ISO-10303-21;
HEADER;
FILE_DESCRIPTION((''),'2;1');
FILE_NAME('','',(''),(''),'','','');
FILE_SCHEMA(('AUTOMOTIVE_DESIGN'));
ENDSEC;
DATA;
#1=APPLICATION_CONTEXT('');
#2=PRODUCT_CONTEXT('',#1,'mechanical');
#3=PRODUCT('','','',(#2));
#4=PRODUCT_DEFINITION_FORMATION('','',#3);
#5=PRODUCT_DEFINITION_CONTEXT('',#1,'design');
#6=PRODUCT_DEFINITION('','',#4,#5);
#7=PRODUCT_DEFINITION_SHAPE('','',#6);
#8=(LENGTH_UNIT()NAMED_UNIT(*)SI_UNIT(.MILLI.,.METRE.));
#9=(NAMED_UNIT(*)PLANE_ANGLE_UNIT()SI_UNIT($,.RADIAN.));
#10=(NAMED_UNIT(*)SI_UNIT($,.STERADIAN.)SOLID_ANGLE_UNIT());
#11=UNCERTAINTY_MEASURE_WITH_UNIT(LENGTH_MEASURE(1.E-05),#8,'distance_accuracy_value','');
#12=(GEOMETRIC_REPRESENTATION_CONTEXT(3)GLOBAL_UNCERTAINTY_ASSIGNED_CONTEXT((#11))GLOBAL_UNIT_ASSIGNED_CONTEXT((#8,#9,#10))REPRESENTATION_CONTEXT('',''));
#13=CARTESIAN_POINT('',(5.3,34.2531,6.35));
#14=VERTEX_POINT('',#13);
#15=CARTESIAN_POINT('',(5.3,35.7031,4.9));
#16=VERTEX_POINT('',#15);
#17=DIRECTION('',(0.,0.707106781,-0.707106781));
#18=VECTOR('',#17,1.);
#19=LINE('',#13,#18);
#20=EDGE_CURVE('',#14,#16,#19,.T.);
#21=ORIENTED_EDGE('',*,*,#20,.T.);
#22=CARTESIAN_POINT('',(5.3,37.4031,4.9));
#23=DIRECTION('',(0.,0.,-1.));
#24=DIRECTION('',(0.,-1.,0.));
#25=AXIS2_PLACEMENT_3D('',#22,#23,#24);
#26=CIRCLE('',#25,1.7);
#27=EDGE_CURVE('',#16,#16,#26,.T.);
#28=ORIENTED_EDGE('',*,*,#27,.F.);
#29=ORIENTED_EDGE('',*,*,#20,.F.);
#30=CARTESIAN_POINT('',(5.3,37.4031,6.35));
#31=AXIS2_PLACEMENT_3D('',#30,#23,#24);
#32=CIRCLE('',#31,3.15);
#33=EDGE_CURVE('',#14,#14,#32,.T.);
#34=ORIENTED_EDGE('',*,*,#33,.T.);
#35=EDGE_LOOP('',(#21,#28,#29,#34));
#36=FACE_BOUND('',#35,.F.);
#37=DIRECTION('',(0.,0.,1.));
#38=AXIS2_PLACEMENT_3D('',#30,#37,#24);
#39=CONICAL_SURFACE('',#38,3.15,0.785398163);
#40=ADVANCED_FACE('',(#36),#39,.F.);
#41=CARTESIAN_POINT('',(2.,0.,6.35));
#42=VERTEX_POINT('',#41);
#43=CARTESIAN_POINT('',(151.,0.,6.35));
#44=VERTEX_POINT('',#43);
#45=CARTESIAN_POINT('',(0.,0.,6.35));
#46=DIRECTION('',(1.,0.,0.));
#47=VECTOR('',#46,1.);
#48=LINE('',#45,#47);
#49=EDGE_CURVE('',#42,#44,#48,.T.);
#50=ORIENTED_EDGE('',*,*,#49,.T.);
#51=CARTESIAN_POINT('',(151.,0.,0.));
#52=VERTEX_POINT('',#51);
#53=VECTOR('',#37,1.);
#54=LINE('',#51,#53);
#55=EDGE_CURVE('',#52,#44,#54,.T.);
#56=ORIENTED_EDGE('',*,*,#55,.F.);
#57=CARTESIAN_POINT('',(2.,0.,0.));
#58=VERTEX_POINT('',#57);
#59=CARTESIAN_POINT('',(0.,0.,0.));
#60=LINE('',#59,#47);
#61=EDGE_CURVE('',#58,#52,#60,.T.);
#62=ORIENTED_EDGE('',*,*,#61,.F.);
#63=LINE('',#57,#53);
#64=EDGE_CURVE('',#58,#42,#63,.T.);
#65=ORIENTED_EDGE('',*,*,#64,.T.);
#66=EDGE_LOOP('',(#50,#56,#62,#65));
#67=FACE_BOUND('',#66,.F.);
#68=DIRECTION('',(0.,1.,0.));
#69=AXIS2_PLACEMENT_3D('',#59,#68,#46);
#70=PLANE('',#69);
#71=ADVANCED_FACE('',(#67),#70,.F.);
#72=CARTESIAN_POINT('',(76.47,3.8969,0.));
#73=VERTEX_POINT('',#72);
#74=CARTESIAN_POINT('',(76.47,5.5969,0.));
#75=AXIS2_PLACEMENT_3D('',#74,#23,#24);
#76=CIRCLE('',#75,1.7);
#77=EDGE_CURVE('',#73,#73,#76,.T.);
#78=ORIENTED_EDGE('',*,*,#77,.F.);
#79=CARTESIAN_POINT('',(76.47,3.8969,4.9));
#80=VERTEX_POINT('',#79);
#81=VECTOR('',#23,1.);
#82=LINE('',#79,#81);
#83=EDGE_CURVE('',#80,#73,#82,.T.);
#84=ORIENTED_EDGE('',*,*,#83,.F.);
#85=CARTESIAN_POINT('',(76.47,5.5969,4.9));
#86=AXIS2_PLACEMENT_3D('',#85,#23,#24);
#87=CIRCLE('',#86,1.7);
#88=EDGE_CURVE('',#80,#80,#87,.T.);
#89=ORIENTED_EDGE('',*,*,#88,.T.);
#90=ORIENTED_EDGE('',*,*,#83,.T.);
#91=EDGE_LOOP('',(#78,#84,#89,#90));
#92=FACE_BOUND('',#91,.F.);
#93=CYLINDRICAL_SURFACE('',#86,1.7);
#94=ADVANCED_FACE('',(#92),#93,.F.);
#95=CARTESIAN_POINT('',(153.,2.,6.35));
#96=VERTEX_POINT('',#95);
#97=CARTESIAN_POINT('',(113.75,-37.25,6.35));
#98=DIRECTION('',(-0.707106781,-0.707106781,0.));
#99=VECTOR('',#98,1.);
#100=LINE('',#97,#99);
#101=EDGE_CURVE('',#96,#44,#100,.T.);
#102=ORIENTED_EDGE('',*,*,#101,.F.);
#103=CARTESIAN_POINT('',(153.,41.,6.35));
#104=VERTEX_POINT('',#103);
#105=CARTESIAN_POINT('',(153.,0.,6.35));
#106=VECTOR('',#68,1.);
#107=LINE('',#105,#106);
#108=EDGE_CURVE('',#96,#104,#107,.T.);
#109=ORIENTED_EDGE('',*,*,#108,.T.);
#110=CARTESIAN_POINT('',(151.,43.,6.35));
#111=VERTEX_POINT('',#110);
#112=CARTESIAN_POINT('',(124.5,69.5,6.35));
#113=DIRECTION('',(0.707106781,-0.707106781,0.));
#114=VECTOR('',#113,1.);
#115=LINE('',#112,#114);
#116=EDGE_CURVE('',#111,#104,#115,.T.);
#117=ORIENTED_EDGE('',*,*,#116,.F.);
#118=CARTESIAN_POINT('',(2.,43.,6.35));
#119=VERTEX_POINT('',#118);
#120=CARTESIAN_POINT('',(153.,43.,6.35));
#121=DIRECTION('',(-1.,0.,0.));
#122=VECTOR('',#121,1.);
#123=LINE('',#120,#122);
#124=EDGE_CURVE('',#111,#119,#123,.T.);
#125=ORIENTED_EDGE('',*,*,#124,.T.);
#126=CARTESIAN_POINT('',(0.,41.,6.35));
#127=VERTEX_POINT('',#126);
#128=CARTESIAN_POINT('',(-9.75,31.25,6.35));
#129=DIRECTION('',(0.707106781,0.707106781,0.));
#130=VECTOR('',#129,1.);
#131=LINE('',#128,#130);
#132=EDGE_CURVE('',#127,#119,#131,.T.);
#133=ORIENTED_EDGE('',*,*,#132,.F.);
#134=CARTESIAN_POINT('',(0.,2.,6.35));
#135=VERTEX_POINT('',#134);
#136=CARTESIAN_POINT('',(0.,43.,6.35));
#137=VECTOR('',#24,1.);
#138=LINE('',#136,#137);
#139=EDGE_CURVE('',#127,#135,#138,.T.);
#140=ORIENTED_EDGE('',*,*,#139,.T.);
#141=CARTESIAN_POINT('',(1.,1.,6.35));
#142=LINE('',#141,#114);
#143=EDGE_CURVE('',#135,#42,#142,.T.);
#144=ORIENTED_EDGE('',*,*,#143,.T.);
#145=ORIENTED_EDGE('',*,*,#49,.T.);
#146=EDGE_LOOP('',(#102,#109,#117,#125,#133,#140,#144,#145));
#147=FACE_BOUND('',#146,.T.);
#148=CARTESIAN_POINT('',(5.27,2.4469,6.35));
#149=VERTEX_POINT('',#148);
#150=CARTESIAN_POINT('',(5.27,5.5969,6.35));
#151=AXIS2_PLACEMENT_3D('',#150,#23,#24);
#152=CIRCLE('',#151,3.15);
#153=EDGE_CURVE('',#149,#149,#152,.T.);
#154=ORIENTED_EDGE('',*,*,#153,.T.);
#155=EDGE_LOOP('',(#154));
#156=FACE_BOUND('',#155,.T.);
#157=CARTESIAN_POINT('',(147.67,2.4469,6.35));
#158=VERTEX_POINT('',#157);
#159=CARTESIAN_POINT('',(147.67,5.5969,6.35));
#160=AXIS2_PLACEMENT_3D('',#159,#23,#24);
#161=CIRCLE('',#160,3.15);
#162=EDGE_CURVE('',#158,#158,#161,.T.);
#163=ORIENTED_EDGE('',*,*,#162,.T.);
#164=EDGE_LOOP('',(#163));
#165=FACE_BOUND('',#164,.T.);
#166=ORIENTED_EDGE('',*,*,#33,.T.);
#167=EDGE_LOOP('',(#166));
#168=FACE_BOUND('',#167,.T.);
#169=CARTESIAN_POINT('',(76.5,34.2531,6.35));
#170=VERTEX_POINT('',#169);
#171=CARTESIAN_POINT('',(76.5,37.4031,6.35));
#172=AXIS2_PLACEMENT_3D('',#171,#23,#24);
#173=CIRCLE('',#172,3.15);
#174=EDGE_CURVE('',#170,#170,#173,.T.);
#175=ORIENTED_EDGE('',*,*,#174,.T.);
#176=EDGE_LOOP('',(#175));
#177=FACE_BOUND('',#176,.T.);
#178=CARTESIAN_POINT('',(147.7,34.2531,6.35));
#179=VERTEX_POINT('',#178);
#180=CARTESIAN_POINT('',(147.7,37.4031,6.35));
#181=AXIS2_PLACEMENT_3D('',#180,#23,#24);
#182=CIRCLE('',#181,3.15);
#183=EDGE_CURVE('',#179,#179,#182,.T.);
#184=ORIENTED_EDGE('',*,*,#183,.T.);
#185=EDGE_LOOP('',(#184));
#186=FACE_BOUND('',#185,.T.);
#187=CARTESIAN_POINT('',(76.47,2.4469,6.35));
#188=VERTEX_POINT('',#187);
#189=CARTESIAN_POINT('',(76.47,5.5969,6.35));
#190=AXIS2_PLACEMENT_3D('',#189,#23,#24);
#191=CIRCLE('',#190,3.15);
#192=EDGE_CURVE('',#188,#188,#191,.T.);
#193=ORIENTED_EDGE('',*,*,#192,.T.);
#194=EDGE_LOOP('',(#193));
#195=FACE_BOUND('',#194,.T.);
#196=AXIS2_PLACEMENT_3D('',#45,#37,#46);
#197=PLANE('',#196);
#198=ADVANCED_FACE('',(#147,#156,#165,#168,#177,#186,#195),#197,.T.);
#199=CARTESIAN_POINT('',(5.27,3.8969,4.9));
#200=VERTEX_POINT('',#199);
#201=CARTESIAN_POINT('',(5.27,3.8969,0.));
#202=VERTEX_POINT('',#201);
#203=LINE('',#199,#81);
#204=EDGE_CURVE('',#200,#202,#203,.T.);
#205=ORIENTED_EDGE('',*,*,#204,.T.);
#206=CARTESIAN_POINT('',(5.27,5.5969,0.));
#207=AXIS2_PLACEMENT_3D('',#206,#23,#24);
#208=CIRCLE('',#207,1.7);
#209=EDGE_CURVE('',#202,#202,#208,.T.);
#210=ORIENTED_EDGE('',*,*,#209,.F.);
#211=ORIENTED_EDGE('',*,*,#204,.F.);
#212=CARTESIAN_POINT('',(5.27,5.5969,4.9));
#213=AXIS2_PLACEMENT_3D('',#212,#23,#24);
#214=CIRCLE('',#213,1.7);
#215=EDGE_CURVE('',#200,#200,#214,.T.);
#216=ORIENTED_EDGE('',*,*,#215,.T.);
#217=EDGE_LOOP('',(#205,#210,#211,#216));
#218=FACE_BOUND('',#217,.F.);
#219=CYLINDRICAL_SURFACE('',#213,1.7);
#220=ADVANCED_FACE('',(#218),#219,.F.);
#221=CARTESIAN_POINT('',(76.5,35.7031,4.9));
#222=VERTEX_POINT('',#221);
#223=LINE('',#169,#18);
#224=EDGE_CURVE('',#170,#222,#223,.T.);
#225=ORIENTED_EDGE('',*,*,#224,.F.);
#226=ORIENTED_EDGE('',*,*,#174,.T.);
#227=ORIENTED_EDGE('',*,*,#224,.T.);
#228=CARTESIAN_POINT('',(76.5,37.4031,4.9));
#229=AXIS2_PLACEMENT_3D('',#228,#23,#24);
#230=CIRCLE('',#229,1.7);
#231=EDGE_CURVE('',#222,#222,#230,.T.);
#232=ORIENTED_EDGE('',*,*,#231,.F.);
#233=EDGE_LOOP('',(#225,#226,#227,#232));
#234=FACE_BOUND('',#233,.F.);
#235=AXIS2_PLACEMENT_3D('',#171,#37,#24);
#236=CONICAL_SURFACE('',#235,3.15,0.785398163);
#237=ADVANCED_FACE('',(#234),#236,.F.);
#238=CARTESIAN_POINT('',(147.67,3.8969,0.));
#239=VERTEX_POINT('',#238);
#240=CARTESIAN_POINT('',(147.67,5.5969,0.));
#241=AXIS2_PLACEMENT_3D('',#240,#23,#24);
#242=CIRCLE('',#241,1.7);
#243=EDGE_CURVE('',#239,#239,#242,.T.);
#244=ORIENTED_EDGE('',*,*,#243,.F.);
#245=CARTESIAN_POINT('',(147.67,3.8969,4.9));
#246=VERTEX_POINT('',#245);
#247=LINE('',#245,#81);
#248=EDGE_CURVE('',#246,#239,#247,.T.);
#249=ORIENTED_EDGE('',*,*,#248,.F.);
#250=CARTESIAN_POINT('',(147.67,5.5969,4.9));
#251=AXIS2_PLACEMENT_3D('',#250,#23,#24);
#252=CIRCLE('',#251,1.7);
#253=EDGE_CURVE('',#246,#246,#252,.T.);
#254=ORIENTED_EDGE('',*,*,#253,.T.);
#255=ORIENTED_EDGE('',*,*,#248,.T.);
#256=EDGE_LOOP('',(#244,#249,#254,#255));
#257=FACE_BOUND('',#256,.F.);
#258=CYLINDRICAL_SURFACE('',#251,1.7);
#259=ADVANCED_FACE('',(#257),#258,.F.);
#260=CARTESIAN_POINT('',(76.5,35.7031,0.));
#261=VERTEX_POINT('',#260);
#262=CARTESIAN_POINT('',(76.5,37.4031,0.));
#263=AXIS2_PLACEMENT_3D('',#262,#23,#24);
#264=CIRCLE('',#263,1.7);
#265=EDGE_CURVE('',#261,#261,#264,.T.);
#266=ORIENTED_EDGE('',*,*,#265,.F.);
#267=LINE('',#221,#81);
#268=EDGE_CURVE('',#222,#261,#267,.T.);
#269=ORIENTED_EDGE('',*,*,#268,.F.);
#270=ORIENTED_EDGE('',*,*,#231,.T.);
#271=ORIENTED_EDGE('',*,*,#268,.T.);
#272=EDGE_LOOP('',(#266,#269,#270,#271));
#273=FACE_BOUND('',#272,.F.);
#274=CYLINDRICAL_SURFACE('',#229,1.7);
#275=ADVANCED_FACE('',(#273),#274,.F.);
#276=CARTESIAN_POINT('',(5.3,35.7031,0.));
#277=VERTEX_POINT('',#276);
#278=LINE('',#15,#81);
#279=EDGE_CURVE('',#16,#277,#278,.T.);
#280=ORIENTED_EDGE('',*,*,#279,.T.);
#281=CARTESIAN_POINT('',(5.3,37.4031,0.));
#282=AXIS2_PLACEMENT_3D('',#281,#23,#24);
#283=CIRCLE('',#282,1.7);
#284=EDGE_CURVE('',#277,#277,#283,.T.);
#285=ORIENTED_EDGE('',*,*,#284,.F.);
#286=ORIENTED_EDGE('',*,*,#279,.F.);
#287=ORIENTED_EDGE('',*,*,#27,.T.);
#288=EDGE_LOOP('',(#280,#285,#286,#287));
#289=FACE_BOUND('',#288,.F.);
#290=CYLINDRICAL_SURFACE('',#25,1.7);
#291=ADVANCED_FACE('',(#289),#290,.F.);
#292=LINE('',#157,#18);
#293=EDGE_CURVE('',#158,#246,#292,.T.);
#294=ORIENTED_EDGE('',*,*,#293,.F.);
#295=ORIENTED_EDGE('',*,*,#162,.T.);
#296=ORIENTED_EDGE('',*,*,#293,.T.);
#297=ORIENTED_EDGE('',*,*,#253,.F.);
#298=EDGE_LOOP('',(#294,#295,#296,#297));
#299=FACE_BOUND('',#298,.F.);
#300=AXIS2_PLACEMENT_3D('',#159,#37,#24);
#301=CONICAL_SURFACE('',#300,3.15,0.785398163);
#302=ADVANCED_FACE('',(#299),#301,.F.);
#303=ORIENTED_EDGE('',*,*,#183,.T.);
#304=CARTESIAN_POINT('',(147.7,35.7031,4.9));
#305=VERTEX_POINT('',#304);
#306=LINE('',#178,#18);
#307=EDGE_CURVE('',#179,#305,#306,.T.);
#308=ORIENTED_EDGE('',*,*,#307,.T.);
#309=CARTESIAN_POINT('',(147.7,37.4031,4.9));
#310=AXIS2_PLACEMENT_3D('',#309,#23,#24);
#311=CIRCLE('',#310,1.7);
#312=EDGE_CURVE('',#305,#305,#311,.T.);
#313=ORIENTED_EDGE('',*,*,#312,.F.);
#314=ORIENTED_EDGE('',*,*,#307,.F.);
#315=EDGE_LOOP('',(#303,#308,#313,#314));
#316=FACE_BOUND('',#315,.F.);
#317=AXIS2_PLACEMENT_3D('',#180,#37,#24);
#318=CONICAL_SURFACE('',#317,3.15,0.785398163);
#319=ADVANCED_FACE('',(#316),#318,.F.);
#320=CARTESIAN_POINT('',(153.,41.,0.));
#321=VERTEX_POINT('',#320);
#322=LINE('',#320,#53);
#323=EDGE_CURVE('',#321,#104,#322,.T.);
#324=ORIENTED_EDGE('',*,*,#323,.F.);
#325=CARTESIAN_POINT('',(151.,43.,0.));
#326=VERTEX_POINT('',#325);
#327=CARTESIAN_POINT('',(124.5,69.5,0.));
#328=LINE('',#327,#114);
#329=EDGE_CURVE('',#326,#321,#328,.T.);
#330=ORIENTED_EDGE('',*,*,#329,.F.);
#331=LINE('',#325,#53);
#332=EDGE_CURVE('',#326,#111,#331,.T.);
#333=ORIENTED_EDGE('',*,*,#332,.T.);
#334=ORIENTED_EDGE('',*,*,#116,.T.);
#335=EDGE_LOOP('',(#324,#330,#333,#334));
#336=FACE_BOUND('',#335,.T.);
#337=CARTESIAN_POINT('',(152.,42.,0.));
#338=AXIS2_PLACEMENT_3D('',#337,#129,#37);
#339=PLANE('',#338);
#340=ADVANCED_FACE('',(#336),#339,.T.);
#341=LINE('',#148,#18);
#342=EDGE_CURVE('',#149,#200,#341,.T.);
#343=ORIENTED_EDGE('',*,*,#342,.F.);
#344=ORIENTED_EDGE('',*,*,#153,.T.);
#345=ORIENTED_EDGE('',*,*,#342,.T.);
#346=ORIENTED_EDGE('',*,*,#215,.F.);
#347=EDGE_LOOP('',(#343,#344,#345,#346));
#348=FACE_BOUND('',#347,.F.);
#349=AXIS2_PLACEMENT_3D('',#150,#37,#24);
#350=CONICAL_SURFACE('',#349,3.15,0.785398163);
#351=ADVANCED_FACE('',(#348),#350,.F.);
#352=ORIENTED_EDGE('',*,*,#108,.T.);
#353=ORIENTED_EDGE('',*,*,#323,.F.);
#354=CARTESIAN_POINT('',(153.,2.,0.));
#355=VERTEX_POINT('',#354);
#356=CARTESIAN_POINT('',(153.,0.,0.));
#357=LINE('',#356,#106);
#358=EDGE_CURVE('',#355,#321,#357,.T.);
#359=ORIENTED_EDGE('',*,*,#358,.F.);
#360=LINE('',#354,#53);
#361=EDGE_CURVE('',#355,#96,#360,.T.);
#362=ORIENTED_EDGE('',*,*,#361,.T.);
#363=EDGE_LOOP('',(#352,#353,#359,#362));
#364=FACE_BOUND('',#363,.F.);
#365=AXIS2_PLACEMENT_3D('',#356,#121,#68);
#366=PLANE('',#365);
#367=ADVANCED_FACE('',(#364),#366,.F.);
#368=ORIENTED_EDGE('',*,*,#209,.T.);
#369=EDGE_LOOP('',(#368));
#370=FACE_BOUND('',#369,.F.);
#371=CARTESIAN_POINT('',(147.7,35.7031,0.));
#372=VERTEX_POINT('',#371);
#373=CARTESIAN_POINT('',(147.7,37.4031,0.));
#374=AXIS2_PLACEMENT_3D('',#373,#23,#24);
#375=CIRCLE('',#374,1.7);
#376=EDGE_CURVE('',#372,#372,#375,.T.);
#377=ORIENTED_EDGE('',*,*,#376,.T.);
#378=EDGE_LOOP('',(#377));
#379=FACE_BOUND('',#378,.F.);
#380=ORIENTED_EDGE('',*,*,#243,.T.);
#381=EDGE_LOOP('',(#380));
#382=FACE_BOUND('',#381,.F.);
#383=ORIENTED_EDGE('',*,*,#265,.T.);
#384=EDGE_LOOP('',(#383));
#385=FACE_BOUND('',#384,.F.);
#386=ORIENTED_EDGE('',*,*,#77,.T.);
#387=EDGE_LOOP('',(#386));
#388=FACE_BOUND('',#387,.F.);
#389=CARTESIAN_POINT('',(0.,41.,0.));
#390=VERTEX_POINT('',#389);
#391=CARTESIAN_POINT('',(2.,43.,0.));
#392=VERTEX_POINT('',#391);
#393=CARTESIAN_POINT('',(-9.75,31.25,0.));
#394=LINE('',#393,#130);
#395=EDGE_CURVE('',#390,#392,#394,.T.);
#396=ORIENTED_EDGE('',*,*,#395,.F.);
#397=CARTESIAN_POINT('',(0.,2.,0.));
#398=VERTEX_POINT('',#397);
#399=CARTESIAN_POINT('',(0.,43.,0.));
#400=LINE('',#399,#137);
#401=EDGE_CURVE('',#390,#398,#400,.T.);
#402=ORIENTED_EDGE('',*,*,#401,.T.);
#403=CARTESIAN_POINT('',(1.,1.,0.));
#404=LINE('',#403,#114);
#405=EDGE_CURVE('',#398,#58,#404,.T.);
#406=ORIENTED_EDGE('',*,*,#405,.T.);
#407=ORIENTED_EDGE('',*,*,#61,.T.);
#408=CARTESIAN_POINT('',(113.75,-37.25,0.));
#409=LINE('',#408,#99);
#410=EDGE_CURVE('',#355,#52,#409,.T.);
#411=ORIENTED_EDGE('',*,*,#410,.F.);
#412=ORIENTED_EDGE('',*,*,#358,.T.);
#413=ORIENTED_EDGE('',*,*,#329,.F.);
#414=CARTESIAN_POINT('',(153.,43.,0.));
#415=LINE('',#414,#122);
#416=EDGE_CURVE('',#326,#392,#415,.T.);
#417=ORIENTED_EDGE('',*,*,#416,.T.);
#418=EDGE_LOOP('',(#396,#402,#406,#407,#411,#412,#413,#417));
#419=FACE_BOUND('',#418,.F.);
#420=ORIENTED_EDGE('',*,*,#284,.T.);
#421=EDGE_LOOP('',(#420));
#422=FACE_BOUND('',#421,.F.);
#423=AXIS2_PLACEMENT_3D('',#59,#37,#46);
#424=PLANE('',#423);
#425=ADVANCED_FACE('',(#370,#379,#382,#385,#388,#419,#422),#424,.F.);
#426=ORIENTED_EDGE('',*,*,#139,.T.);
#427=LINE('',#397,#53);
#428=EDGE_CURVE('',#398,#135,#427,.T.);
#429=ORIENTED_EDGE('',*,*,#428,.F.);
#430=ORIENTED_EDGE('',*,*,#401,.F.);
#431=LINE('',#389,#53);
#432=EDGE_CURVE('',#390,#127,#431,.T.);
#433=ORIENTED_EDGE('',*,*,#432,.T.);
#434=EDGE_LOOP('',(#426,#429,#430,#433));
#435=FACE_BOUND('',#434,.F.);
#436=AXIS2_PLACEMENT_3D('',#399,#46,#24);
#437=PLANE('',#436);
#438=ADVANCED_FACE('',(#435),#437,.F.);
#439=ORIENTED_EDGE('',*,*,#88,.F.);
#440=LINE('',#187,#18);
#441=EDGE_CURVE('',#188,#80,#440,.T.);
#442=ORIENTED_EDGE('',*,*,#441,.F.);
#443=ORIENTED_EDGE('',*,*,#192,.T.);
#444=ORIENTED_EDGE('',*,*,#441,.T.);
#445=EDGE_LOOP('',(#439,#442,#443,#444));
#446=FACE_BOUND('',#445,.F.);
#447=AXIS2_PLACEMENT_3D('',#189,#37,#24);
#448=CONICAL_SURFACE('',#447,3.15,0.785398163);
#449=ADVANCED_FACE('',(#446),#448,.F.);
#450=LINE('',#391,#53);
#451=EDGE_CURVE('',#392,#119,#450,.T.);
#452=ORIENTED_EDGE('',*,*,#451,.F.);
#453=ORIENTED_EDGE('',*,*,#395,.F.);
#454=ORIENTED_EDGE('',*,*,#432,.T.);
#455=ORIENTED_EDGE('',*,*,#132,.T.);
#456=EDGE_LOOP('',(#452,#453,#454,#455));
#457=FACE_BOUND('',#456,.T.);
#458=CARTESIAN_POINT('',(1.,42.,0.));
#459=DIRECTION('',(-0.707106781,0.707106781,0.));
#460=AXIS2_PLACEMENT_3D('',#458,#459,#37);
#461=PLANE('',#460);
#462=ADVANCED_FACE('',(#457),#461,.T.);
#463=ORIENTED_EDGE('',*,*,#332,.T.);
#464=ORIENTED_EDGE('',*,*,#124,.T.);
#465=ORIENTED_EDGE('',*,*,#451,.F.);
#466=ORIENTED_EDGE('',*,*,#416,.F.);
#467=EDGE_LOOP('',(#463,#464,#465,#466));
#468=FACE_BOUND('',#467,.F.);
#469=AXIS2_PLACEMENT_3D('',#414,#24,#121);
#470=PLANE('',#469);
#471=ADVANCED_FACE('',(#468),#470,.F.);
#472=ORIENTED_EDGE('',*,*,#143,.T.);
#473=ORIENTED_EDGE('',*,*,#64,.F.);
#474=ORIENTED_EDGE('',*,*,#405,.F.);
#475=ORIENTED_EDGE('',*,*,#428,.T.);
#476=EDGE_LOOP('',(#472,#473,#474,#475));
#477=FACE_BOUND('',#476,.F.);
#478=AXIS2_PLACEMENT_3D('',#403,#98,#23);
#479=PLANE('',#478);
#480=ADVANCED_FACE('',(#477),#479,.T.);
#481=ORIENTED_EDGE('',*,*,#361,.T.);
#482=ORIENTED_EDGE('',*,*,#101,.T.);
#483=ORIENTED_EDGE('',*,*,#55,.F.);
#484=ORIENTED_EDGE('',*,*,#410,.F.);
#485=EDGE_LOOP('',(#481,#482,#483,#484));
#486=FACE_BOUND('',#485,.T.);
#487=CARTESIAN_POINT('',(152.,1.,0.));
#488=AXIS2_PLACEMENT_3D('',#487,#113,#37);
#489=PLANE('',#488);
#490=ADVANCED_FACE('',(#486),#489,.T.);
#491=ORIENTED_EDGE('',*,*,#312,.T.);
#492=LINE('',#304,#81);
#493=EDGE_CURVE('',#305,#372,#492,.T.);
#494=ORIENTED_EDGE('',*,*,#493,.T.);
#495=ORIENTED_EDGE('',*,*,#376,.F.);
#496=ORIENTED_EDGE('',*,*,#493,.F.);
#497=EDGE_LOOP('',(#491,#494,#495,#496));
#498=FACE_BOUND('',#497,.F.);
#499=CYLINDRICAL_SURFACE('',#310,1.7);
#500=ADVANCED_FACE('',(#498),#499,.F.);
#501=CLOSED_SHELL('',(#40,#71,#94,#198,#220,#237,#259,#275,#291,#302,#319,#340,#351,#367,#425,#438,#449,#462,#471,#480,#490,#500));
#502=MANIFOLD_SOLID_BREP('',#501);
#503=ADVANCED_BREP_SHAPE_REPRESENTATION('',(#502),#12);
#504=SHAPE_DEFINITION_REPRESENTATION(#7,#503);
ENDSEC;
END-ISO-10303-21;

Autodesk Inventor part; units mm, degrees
ref_plane "YZ Plane" through (0, 0, 0) normal (1, 0, 0) x (0, 1, 0)
ref_plane "XZ Plane" through (0, 0, 0) normal (0, 1, 0) x (-1, 0, 0)
ref_plane "XY Plane" through (0, 0, 0) normal (0, 0, 1) x (1, 0, 0)
sketch "Sketch1" plane through (0, 0, 0) normal (0, 0, 1) x (1, 0, 0)
  line L0 (0, 0) -> (153, 0)
  line L1 (153, 0) -> (153, 43)
  line L2 (153, 43) -> (0, 43)
  line L3 (0, 43) -> (0, 0)
  dimension "d0" = 43
  dimension "d1" = 153
extrude "Extrusion1" add sketch "Sketch1" along normal blind 6.35
chamfer "Chamfer1" distance 2 angle 45 4 edges at (0, 43, 3.175) (0, 0, 3.175) (153, 43, 3.175) (153, 0, 3.175)
ref_plane "Work Plane1" through (2, 21.5, 0) normal (0, 1, 0) x (1, 0, 0)
ref_plane "Work Plane2" through (76.5, 2, 0) normal (1, 0, 0) x (0, 0, -1)
sketch "Sketch2" plane through (0, 0, 6.35) normal (0, 0, 1) x (1, 0, 0)
  line L0 (137.7, 37.4031) -> (143.5031, 31.6) projected
  line L1 (149.525, 31.6) -> (143.5031, 31.6) projected
  line L2 (152.7, 34.775) -> (149.525, 31.6) projected
  line L3 (152.7, 43.2063) -> (152.7, 34.775) projected
  line L4 (152.7, 43.2063) -> (0.3, 43.2063) projected
  line L5 (0.3, 34.775) -> (0.3, 43.2063) projected
  line L6 (3.475, 31.6) -> (0.3, 34.775) projected
  line L7 (9.4969, 31.6) -> (3.475, 31.6) projected
  line L8 (9.4969, 31.6) -> (15.3, 37.4031) projected
  line L9 (15.3, 37.4031) -> (66.5, 37.4031) projected
  line L10 (66.5, 37.4031) -> (72.3031, 31.6) projected
  line L11 (80.6969, 31.6) -> (72.3031, 31.6) projected
  line L12 (80.6969, 31.6) -> (86.5, 37.4031) projected
  line L13 (86.5, 37.4031) -> (137.7, 37.4031) projected
  circle A0 centre (76.5, 37.4031) radius 1.7018 projected
  circle A1 centre (147.7, 37.4031) radius 1.7018 projected
  circle A2 centre (5.3, 37.4031) radius 1.7018 projected
  line L14 (15.27, 5.5969) -> (9.4669, 11.4) projected
  line L15 (3.445, 11.4) -> (9.4669, 11.4) projected
  line L16 (0.27, 8.225) -> (3.445, 11.4) projected
  line L17 (0.27, -0.2063) -> (0.27, 8.225) projected
  line L18 (0.27, -0.2063) -> (152.67, -0.2063) projected
  line L19 (152.67, 8.225) -> (152.67, -0.2063) projected
  line L20 (149.495, 11.4) -> (152.67, 8.225) projected
  line L21 (143.4731, 11.4) -> (149.495, 11.4) projected
  line L22 (143.4731, 11.4) -> (137.67, 5.5969) projected
  line L23 (137.67, 5.5969) -> (86.47, 5.5969) projected
  line L24 (86.47, 5.5969) -> (80.6669, 11.4) projected
  line L25 (72.2731, 11.4) -> (80.6669, 11.4) projected
  line L26 (72.2731, 11.4) -> (66.47, 5.5969) projected
  line L27 (66.47, 5.5969) -> (15.27, 5.5969) projected
  circle A3 centre (76.47, 5.5969) radius 1.7018 projected
  circle A4 centre (5.27, 5.5969) radius 1.7018 projected
  circle A5 centre (147.67, 5.5969) radius 1.7018 projected
  point P0 (0, 0)
  point P1 (76.47, 5.5969)
  point P2 (5.27, 5.5969)
  point P3 (147.67, 5.5969)
hole "Hole1" at (147.7, 37.4031, 6.35) at (76.5, 37.4031, 6.35) at (5.3, 37.4031, 6.35) at (5.27, 5.5969, 6.35) at (76.47, 5.5969, 6.35) at (147.67, 5.5969, 6.35) direction (0, 0, -1) diameter 3.4 depth 8 tip angle 118 countersink diameter 6.3 countersink angle 90 clearance for "Flat Head Machine Screw" size "M3" standard "Ansi Metric M Profile"
properties part number "Rear Armor" material "Polyethylene, High Density"
